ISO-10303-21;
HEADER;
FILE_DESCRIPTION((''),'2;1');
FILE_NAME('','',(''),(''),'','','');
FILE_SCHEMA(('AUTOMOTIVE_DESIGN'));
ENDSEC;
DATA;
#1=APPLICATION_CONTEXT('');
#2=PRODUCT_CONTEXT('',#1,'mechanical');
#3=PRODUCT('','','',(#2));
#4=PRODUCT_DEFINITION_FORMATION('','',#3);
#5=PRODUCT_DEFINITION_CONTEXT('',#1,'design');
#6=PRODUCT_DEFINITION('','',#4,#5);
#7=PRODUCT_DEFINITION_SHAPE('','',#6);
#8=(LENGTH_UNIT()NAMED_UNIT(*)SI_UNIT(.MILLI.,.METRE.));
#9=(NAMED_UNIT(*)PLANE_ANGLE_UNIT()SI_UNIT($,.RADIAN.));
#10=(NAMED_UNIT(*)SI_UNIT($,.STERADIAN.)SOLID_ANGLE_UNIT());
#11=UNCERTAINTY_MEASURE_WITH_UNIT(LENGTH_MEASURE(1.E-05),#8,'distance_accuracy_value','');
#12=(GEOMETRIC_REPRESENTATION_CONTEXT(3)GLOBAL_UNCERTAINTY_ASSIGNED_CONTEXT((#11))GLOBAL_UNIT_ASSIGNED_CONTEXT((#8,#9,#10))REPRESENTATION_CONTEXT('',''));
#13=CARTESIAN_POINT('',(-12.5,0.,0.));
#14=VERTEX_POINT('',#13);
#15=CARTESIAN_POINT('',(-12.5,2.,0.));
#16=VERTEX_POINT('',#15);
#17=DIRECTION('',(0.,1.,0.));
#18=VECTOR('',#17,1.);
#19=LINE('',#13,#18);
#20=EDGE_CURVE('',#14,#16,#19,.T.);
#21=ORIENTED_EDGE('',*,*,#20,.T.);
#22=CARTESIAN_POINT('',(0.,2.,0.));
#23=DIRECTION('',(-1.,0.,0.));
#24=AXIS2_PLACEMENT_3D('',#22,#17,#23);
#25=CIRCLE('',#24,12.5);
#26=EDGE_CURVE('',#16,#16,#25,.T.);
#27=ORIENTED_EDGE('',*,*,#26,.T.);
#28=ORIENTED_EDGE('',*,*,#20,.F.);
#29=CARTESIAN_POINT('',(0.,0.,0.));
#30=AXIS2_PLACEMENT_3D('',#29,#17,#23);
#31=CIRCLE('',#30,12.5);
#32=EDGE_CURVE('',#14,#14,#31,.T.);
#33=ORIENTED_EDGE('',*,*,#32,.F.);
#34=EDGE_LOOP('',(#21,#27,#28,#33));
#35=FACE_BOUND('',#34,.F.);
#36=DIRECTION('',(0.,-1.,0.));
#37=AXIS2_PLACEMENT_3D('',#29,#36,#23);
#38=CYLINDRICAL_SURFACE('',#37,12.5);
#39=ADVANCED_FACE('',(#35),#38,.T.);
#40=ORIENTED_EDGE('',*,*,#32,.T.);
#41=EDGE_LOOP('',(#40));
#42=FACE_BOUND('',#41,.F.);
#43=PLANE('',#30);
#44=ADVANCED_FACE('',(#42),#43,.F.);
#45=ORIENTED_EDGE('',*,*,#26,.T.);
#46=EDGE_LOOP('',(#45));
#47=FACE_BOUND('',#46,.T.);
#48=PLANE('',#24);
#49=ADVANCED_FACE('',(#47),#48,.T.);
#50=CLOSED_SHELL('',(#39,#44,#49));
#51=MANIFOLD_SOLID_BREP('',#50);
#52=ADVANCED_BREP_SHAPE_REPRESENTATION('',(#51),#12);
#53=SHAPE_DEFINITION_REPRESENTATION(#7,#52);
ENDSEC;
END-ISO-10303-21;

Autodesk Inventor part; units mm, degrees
ref_plane "YZ Plane" through (0, 0, 0) normal (1, 0, 0) x (0, 1, 0)
ref_plane "XZ Plane" through (0, 0, 0) normal (0, 1, 0) x (-1, 0, 0)
ref_plane "XY Plane" through (0, 0, 0) normal (0, 0, 1) x (1, 0, 0)
sketch "Sketch1" plane through (0, 0, 0) normal (0, 1, 0) x (-1, 0, 0)
  circle A0 centre (0, 0) radius 12.5
  dimension "d0" = 25
extrude "Extrusion1" add sketch "Sketch1" along normal blind 2
equation "\"BendRadius\" = Thickness"
equation "\"BendReliefWidth\" = Thickness"
equation "\"BendReliefDepth\" = 0.5 * Thickness"
equation "\"CornerReliefSize\" = 4 * Thickness"
equation "\"MinimumRemnant\" = 2 * Thickness"
equation "\"TransitionRadius\" = BendRadius"
equation "\"JacobiRadiusSize\" = BendRadius"
equation "\"GapSize\" = Thickness"
equation "\"Thickness\" = 0.5"
properties part number "25"
